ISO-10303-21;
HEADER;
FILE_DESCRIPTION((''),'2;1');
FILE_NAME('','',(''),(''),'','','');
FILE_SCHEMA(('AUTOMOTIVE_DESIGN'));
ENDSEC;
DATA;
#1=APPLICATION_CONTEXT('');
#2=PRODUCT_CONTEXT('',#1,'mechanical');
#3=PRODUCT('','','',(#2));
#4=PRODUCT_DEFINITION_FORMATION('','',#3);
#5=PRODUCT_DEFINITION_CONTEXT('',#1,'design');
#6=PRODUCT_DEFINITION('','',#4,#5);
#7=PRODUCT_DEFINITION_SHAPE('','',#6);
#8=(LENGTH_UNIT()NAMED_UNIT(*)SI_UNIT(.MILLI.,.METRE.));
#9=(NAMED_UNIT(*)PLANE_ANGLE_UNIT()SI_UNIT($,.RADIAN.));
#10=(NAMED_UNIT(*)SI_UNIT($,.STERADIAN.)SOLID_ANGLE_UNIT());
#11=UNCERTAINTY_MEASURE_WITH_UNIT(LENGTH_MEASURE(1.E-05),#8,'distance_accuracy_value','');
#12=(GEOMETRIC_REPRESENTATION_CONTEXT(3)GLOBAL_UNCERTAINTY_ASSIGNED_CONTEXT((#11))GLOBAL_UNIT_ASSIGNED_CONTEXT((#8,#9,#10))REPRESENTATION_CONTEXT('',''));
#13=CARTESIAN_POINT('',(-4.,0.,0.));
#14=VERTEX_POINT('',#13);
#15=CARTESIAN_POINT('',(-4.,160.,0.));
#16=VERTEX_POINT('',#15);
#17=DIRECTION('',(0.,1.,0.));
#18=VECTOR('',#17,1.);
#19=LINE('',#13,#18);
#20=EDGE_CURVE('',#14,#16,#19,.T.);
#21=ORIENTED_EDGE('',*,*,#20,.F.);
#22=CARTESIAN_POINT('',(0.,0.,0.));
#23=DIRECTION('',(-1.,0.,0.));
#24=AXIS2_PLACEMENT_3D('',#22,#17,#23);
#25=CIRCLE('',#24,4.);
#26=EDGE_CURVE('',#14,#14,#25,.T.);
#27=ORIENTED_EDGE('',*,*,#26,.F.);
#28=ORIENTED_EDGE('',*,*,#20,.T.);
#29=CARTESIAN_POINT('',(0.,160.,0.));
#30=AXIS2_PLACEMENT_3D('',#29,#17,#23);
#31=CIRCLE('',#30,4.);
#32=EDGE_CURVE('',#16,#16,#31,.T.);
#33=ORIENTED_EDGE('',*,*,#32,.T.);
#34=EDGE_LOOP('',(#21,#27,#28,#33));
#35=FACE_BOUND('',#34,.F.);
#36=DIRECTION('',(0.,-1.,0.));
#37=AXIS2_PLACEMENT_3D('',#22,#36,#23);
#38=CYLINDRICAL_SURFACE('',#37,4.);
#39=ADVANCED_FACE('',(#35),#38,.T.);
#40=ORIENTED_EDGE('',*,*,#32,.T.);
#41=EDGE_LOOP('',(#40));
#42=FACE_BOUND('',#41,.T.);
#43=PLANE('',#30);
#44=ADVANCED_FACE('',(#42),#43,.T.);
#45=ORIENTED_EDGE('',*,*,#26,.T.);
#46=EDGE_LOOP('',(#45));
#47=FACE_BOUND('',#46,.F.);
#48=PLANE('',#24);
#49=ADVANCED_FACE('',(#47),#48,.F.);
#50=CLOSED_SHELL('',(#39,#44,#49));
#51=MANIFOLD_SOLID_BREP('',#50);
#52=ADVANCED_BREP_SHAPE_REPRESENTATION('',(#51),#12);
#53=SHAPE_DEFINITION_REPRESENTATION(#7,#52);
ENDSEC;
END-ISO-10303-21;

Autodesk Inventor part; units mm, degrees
ref_plane "YZ Plane" through (0, 0, 0) normal (1, 0, 0) x (0, 1, 0)
ref_plane "XZ Plane" through (0, 0, 0) normal (0, 1, 0) x (-1, 0, 0)
ref_plane "XY Plane" through (0, 0, 0) normal (0, 0, 1) x (1, 0, 0)
sketch "Skizze1" plane through (0, 0, 0) normal (0, 1, 0) x (-1, 0, 0)
  circle A0 centre (0, 0) radius 4
  dimension "d0" = 8
extrude "reifen_achse" add sketch "Skizze1" along normal blind 160
equation "\"Biegeradius\" = Stärke"
equation "\"BreiteBiegungsfreistellung\" = Stärke"
equation "\"TiefeBiegungsfreistellung\" = 0.5 * Stärke"
equation "\"GrößeEckenfreistellung\" = 4 * Stärke"
equation "\"MinimalRest\" = 2 * Stärke"
equation "\"Übergangsradius\" = Biegeradius"
equation "\"JacobiRadiusGröße\" = Biegeradius"
equation "\"Abstandsgröße\" = Stärke"
equation "\"Stärke\" = 0.5"
properties part number "reifen_achse"
